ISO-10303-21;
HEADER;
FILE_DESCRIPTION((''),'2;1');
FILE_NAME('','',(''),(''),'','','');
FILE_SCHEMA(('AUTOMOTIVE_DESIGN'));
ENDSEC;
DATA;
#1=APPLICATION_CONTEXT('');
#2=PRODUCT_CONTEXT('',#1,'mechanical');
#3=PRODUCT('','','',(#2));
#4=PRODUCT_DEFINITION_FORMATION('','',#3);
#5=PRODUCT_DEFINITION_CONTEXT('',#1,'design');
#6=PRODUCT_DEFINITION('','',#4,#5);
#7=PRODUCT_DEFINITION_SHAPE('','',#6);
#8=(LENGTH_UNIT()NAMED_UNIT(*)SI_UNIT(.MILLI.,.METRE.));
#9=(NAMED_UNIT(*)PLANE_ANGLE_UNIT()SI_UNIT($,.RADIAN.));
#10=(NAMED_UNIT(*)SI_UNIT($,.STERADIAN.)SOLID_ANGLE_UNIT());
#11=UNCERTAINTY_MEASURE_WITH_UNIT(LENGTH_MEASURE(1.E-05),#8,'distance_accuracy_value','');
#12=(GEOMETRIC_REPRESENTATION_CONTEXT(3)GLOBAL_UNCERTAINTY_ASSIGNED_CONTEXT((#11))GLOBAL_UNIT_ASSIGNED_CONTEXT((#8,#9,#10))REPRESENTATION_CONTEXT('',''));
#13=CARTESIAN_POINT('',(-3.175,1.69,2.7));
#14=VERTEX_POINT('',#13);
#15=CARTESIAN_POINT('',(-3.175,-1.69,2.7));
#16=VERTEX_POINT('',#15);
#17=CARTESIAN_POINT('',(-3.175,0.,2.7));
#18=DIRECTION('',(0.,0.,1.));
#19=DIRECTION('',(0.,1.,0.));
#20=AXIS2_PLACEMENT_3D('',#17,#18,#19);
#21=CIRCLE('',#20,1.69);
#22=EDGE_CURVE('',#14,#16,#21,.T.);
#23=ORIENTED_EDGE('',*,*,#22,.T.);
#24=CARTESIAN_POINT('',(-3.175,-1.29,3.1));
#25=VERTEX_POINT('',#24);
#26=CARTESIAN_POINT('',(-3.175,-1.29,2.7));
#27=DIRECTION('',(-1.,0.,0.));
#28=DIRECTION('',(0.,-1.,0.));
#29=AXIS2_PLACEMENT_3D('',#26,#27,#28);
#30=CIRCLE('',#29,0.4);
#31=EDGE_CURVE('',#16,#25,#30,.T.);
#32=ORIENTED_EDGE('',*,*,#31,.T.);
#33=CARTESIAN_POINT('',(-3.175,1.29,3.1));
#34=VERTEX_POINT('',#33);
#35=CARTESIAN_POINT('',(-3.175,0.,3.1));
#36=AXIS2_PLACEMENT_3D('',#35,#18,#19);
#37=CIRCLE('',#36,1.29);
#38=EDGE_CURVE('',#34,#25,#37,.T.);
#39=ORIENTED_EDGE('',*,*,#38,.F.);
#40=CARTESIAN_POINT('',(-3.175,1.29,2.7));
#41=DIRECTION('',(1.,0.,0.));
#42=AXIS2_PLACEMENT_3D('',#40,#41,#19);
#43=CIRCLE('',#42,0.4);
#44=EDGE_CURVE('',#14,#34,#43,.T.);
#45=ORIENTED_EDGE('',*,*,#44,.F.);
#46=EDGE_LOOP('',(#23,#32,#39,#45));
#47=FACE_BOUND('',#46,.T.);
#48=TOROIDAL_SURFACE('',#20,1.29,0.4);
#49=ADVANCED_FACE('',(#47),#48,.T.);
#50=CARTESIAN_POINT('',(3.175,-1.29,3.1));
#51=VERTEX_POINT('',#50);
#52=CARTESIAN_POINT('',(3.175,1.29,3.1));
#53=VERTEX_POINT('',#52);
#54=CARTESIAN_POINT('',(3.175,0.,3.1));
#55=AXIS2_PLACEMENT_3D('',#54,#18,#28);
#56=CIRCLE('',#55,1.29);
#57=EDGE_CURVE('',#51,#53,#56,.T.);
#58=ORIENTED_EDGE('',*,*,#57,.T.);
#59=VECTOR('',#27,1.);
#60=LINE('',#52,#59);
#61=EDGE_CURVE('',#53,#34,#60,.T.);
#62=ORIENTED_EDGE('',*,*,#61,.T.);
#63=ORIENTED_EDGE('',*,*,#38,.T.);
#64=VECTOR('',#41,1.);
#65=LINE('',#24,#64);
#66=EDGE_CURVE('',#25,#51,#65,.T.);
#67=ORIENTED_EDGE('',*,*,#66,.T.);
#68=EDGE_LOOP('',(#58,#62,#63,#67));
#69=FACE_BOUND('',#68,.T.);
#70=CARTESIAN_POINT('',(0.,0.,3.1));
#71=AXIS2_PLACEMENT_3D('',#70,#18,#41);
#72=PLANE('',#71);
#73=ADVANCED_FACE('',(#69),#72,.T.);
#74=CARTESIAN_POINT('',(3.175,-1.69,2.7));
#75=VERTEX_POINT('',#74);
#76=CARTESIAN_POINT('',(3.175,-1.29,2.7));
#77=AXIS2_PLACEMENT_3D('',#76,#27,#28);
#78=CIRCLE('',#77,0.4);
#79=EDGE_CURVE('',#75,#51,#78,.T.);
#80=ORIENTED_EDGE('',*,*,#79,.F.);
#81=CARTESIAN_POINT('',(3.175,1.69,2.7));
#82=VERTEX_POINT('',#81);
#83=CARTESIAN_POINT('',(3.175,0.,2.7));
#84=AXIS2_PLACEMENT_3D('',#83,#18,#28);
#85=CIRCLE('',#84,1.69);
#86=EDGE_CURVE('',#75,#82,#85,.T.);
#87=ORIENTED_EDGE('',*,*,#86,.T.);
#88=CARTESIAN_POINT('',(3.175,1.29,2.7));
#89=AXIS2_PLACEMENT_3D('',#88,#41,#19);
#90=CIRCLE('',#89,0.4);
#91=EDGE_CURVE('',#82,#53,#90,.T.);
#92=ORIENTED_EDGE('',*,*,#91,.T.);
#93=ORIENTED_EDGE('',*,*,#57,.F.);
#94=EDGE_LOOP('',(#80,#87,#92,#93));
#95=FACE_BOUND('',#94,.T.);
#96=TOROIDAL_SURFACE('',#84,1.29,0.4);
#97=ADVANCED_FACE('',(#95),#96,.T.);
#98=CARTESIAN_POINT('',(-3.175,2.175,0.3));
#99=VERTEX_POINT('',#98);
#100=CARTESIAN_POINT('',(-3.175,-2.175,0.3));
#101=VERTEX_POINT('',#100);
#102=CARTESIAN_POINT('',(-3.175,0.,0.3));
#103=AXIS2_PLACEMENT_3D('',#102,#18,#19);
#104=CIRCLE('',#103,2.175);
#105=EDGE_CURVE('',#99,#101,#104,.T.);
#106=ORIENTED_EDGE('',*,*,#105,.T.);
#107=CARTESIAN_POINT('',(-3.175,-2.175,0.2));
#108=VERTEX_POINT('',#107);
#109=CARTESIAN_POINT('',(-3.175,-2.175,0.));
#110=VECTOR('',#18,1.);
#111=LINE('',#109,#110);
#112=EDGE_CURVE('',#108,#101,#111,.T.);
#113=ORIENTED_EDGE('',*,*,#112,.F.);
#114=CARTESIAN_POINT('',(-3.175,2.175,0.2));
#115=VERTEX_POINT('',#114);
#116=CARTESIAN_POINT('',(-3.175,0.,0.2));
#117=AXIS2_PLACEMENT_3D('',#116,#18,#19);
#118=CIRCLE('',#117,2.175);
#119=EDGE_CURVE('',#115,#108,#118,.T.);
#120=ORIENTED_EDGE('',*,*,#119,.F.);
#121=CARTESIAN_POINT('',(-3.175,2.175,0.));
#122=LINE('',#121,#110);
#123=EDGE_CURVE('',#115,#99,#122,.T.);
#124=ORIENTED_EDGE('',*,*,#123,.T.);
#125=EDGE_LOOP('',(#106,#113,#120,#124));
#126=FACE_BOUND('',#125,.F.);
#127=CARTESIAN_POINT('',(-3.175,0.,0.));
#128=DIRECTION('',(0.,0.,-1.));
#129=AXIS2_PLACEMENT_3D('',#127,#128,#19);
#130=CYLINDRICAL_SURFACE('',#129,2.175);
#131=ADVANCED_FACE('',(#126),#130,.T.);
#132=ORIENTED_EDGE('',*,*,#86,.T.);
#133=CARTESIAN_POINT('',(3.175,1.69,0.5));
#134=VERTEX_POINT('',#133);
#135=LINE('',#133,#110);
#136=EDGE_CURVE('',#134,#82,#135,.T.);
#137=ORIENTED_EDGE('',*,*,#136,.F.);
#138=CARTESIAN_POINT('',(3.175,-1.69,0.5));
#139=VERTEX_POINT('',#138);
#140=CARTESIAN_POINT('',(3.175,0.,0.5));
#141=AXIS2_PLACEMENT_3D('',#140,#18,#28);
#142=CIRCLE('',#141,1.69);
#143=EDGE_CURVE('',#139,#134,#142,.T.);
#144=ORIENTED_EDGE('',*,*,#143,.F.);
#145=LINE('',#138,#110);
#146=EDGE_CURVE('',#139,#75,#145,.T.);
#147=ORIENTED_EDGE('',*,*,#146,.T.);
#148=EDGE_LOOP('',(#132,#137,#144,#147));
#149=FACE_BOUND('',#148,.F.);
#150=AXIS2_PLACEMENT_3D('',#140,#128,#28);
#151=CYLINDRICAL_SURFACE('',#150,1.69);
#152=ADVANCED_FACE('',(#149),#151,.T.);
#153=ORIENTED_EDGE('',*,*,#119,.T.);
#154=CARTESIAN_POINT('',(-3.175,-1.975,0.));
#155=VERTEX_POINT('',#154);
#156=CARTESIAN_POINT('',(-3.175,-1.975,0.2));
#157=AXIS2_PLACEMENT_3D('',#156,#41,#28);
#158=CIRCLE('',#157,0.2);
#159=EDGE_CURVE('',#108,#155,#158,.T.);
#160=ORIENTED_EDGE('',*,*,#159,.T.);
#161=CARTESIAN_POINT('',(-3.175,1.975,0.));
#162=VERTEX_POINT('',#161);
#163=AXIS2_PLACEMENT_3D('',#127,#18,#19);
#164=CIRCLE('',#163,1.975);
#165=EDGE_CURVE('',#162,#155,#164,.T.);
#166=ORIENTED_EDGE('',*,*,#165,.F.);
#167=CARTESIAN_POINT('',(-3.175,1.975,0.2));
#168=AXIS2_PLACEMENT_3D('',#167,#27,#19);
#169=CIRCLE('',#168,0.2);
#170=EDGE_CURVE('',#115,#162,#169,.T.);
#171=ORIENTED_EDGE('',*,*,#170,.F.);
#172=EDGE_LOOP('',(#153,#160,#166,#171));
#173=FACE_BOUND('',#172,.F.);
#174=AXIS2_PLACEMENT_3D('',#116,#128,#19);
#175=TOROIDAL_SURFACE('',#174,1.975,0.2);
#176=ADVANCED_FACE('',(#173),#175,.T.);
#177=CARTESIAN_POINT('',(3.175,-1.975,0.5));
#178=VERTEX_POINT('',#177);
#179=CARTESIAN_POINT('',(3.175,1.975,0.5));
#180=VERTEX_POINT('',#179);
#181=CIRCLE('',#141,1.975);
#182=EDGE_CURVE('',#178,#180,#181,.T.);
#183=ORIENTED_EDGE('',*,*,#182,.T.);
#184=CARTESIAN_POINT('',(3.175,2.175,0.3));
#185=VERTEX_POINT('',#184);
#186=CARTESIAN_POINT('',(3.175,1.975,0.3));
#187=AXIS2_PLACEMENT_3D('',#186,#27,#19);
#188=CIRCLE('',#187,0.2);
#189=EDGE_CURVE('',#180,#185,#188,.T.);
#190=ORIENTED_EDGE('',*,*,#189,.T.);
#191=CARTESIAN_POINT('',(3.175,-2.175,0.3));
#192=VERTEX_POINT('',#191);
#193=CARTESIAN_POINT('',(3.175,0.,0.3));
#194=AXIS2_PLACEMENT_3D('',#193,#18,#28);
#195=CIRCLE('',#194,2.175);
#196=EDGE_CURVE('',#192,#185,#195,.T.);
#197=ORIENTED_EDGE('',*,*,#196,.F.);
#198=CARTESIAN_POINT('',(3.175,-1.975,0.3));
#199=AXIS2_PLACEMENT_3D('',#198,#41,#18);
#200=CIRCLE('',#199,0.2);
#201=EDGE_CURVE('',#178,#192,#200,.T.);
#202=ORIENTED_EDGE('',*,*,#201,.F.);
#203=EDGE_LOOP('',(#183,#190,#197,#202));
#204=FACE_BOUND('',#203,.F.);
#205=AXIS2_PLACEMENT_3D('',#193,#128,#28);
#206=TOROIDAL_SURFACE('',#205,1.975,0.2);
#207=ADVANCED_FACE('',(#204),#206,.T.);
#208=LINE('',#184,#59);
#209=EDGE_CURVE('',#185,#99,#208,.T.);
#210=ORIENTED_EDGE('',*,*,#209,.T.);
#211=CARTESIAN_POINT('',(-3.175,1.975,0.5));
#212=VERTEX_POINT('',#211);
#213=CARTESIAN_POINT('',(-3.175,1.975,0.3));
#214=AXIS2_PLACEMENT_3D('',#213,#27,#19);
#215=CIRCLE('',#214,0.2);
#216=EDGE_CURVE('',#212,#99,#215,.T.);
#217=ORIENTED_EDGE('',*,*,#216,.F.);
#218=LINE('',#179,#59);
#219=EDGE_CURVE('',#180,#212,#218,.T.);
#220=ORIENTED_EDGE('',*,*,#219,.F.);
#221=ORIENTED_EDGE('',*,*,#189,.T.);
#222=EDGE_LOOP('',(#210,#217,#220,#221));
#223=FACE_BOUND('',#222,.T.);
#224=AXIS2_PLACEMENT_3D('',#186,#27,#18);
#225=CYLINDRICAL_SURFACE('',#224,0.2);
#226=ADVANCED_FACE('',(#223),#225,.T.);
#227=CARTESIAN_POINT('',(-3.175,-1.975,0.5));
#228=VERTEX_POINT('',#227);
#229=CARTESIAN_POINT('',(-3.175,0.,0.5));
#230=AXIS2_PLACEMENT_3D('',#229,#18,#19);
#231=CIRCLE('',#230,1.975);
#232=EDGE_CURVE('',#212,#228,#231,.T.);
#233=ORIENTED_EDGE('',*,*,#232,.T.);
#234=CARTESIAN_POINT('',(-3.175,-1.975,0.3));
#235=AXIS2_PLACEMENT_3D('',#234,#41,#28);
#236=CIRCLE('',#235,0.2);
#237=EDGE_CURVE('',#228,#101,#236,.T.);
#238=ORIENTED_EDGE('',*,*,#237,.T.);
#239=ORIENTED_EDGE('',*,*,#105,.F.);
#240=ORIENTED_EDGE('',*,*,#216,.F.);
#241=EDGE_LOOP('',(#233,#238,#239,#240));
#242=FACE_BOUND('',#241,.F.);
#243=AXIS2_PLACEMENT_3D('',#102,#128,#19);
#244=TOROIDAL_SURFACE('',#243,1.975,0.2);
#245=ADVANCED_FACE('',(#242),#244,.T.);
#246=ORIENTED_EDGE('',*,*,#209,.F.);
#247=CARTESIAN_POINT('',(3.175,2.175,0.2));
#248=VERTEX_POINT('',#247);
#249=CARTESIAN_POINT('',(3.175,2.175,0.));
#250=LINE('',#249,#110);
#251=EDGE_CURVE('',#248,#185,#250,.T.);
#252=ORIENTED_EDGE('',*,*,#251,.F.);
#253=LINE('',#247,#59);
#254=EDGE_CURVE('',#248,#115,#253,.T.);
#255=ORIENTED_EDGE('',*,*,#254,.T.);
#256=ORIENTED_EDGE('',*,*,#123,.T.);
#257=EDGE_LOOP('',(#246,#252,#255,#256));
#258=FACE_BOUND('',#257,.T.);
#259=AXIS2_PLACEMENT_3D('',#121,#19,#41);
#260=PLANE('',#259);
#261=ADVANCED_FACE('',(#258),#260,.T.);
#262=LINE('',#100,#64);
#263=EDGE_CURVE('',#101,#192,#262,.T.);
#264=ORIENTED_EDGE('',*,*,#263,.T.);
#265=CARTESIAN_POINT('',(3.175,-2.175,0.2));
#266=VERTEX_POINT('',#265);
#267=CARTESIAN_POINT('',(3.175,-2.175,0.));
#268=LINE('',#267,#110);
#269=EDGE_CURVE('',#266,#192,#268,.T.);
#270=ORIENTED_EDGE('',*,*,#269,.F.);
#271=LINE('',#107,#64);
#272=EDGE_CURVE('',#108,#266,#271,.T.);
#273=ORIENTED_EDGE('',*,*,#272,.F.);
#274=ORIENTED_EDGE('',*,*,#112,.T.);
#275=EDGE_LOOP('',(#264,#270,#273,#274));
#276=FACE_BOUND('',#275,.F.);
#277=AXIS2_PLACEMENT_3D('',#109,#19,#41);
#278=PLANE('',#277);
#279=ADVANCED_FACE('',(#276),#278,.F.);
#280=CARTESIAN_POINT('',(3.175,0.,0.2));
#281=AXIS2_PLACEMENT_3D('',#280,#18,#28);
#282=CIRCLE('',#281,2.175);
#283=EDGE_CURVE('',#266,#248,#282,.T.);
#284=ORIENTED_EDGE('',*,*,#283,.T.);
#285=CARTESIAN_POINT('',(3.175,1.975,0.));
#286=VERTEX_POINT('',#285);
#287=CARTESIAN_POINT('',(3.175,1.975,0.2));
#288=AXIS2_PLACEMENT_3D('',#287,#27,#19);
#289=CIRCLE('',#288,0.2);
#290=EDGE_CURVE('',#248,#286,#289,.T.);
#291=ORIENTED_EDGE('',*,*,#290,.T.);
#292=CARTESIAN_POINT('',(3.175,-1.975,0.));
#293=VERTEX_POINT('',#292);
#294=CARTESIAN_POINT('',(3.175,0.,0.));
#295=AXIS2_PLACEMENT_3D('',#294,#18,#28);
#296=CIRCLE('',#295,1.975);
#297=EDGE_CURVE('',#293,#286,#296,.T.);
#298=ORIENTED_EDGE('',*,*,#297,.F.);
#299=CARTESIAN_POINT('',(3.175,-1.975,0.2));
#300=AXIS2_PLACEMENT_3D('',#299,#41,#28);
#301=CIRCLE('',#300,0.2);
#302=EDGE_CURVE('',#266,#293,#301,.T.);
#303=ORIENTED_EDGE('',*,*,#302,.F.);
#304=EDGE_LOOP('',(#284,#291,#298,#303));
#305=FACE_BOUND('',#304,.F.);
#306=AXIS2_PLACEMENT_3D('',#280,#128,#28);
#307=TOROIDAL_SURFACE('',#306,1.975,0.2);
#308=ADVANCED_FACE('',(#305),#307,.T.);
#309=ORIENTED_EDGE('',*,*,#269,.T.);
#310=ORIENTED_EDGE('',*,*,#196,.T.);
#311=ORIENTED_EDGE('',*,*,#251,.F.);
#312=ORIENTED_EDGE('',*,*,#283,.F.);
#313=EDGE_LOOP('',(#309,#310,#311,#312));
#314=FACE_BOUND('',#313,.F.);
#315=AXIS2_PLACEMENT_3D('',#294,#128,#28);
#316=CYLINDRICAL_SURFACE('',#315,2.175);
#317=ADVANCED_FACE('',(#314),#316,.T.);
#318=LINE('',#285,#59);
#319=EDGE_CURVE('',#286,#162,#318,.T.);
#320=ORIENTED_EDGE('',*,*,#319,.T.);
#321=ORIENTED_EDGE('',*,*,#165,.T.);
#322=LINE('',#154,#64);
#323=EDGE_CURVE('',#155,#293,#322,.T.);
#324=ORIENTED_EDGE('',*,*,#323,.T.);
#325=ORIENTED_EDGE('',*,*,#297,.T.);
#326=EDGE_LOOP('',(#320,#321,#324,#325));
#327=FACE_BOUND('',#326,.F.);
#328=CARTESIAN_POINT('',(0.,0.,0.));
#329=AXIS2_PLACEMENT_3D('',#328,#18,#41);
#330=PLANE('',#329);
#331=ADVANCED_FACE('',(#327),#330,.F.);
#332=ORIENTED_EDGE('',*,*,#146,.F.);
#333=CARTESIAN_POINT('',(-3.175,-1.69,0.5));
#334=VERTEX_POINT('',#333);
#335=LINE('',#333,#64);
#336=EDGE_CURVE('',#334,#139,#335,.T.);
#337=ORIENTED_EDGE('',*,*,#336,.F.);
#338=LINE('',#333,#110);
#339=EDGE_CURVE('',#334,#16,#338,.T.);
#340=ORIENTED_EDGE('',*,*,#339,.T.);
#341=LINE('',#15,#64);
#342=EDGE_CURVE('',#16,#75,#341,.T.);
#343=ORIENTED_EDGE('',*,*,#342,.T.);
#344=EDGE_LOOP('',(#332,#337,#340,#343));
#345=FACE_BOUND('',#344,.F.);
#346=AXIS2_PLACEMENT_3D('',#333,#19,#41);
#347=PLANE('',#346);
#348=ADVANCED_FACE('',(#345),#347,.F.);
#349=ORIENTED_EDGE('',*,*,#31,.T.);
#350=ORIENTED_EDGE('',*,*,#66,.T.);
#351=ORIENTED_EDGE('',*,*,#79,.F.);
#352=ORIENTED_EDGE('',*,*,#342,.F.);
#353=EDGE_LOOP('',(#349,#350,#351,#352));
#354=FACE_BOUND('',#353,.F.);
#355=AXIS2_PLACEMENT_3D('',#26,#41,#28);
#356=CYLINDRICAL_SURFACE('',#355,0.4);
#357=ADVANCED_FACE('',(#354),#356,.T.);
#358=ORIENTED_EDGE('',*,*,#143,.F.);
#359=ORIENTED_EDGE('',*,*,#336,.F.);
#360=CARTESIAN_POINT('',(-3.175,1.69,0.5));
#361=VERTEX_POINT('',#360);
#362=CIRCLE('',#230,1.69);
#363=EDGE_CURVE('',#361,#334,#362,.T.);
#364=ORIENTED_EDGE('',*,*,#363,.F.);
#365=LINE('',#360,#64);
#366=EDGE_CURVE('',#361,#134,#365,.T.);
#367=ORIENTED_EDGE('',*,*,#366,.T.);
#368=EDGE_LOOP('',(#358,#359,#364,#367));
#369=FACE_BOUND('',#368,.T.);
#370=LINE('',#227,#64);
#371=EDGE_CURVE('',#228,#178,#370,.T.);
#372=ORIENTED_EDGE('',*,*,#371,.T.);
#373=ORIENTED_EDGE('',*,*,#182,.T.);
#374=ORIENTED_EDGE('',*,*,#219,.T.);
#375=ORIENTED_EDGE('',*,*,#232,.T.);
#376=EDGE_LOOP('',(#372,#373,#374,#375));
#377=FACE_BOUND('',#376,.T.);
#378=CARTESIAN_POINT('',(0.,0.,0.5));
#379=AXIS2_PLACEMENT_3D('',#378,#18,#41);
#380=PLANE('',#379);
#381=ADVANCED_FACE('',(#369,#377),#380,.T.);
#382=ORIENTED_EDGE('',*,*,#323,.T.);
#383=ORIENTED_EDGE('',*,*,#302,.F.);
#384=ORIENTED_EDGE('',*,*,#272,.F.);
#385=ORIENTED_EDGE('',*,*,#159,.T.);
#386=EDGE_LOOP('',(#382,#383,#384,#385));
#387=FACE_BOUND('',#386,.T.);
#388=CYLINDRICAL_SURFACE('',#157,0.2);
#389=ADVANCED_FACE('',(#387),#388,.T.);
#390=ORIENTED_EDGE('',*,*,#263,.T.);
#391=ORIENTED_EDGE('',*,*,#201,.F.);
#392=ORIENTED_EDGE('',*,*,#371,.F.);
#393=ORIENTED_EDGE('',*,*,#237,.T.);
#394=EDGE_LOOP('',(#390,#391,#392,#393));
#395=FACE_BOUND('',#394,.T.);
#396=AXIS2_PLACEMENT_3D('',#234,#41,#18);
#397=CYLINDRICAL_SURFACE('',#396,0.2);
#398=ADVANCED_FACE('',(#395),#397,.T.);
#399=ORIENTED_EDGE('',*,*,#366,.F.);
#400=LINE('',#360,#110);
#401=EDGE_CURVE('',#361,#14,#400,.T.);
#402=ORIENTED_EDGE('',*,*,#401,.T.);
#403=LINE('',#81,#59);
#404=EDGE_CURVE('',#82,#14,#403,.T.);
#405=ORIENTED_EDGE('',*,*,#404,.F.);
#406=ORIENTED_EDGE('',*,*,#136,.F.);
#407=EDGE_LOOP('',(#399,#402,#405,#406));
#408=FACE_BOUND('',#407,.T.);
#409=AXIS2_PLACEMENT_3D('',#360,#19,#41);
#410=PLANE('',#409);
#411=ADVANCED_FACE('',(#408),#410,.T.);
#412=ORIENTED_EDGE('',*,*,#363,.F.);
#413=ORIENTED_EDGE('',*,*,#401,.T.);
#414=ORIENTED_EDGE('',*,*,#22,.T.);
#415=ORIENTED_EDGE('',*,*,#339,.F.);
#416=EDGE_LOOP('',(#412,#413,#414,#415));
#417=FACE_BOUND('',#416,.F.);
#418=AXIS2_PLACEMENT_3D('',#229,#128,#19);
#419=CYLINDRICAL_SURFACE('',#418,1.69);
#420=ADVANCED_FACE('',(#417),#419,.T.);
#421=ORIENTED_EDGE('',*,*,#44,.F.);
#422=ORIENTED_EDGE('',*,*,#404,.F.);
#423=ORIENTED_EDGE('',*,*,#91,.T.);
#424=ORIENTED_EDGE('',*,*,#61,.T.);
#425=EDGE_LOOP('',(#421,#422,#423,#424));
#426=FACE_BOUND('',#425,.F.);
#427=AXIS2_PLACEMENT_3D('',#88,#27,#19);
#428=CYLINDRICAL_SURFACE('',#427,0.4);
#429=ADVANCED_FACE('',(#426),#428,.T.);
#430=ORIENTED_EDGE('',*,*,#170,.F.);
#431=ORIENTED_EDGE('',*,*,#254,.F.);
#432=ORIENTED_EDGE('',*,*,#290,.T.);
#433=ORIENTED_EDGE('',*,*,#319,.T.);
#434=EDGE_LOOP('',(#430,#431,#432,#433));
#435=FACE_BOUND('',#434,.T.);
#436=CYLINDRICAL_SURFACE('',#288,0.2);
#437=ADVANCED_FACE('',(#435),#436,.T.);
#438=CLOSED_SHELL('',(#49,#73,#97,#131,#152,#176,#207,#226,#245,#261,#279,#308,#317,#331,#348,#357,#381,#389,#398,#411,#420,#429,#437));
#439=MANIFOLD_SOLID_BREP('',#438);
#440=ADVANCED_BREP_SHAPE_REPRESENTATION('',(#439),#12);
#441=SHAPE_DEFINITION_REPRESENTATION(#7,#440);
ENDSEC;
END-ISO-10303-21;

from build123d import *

# Parameters (mm, degrees)
PAD_DEPTH    = 0.5
PAD001_DEPTH = 2.6
FILLET_R     = 0.4
FILLET001_R  = 0.2


with BuildPart() as part:
    # Sketch → Pad (new body)
    with BuildSketch(Plane.XY):
        with BuildLine():
            ThreePointArc((-3.175, 2.175), (-5.35, 0), (-3.175, -2.175))
            Line((-3.175, -2.175), (3.175, -2.175))
            ThreePointArc((3.175, -2.175), (5.35, 0), (3.175, 2.175))
            Line((-3.175, 2.175), (3.175, 2.175))
        make_face()
    extrude(amount=PAD_DEPTH)

    # Sketch001 (on Face6 of Pad) → Pad001 (join)
    with BuildSketch(Plane.XY.offset(0.5)):
        with BuildLine():
            ThreePointArc((-3.175, 1.69), (-4.865, 0), (-3.175, -1.69))
            Line((-3.175, -1.69), (3.175, -1.69))
            ThreePointArc((3.175, -1.69), (4.865, 0), (3.175, 1.69))
            Line((-3.175, 1.69), (3.175, 1.69))
        make_face()
    extrude(amount=PAD001_DEPTH)

    # Fillet
    fillet_edges = [part.edges().sort_by_distance(p)[0] for p in [
        (0, -1.69, 3.1),
    ]]
    fillet(fillet_edges, radius=FILLET_R)

    # Fillet001
    fillet001_edges = [part.edges().sort_by_distance(p)[0] for p in [
        (-5.35, 0, 0.5),
        (-5.35, 0, 0),
    ]]
    fillet(fillet001_edges, radius=FILLET001_R)


solid = part.part
